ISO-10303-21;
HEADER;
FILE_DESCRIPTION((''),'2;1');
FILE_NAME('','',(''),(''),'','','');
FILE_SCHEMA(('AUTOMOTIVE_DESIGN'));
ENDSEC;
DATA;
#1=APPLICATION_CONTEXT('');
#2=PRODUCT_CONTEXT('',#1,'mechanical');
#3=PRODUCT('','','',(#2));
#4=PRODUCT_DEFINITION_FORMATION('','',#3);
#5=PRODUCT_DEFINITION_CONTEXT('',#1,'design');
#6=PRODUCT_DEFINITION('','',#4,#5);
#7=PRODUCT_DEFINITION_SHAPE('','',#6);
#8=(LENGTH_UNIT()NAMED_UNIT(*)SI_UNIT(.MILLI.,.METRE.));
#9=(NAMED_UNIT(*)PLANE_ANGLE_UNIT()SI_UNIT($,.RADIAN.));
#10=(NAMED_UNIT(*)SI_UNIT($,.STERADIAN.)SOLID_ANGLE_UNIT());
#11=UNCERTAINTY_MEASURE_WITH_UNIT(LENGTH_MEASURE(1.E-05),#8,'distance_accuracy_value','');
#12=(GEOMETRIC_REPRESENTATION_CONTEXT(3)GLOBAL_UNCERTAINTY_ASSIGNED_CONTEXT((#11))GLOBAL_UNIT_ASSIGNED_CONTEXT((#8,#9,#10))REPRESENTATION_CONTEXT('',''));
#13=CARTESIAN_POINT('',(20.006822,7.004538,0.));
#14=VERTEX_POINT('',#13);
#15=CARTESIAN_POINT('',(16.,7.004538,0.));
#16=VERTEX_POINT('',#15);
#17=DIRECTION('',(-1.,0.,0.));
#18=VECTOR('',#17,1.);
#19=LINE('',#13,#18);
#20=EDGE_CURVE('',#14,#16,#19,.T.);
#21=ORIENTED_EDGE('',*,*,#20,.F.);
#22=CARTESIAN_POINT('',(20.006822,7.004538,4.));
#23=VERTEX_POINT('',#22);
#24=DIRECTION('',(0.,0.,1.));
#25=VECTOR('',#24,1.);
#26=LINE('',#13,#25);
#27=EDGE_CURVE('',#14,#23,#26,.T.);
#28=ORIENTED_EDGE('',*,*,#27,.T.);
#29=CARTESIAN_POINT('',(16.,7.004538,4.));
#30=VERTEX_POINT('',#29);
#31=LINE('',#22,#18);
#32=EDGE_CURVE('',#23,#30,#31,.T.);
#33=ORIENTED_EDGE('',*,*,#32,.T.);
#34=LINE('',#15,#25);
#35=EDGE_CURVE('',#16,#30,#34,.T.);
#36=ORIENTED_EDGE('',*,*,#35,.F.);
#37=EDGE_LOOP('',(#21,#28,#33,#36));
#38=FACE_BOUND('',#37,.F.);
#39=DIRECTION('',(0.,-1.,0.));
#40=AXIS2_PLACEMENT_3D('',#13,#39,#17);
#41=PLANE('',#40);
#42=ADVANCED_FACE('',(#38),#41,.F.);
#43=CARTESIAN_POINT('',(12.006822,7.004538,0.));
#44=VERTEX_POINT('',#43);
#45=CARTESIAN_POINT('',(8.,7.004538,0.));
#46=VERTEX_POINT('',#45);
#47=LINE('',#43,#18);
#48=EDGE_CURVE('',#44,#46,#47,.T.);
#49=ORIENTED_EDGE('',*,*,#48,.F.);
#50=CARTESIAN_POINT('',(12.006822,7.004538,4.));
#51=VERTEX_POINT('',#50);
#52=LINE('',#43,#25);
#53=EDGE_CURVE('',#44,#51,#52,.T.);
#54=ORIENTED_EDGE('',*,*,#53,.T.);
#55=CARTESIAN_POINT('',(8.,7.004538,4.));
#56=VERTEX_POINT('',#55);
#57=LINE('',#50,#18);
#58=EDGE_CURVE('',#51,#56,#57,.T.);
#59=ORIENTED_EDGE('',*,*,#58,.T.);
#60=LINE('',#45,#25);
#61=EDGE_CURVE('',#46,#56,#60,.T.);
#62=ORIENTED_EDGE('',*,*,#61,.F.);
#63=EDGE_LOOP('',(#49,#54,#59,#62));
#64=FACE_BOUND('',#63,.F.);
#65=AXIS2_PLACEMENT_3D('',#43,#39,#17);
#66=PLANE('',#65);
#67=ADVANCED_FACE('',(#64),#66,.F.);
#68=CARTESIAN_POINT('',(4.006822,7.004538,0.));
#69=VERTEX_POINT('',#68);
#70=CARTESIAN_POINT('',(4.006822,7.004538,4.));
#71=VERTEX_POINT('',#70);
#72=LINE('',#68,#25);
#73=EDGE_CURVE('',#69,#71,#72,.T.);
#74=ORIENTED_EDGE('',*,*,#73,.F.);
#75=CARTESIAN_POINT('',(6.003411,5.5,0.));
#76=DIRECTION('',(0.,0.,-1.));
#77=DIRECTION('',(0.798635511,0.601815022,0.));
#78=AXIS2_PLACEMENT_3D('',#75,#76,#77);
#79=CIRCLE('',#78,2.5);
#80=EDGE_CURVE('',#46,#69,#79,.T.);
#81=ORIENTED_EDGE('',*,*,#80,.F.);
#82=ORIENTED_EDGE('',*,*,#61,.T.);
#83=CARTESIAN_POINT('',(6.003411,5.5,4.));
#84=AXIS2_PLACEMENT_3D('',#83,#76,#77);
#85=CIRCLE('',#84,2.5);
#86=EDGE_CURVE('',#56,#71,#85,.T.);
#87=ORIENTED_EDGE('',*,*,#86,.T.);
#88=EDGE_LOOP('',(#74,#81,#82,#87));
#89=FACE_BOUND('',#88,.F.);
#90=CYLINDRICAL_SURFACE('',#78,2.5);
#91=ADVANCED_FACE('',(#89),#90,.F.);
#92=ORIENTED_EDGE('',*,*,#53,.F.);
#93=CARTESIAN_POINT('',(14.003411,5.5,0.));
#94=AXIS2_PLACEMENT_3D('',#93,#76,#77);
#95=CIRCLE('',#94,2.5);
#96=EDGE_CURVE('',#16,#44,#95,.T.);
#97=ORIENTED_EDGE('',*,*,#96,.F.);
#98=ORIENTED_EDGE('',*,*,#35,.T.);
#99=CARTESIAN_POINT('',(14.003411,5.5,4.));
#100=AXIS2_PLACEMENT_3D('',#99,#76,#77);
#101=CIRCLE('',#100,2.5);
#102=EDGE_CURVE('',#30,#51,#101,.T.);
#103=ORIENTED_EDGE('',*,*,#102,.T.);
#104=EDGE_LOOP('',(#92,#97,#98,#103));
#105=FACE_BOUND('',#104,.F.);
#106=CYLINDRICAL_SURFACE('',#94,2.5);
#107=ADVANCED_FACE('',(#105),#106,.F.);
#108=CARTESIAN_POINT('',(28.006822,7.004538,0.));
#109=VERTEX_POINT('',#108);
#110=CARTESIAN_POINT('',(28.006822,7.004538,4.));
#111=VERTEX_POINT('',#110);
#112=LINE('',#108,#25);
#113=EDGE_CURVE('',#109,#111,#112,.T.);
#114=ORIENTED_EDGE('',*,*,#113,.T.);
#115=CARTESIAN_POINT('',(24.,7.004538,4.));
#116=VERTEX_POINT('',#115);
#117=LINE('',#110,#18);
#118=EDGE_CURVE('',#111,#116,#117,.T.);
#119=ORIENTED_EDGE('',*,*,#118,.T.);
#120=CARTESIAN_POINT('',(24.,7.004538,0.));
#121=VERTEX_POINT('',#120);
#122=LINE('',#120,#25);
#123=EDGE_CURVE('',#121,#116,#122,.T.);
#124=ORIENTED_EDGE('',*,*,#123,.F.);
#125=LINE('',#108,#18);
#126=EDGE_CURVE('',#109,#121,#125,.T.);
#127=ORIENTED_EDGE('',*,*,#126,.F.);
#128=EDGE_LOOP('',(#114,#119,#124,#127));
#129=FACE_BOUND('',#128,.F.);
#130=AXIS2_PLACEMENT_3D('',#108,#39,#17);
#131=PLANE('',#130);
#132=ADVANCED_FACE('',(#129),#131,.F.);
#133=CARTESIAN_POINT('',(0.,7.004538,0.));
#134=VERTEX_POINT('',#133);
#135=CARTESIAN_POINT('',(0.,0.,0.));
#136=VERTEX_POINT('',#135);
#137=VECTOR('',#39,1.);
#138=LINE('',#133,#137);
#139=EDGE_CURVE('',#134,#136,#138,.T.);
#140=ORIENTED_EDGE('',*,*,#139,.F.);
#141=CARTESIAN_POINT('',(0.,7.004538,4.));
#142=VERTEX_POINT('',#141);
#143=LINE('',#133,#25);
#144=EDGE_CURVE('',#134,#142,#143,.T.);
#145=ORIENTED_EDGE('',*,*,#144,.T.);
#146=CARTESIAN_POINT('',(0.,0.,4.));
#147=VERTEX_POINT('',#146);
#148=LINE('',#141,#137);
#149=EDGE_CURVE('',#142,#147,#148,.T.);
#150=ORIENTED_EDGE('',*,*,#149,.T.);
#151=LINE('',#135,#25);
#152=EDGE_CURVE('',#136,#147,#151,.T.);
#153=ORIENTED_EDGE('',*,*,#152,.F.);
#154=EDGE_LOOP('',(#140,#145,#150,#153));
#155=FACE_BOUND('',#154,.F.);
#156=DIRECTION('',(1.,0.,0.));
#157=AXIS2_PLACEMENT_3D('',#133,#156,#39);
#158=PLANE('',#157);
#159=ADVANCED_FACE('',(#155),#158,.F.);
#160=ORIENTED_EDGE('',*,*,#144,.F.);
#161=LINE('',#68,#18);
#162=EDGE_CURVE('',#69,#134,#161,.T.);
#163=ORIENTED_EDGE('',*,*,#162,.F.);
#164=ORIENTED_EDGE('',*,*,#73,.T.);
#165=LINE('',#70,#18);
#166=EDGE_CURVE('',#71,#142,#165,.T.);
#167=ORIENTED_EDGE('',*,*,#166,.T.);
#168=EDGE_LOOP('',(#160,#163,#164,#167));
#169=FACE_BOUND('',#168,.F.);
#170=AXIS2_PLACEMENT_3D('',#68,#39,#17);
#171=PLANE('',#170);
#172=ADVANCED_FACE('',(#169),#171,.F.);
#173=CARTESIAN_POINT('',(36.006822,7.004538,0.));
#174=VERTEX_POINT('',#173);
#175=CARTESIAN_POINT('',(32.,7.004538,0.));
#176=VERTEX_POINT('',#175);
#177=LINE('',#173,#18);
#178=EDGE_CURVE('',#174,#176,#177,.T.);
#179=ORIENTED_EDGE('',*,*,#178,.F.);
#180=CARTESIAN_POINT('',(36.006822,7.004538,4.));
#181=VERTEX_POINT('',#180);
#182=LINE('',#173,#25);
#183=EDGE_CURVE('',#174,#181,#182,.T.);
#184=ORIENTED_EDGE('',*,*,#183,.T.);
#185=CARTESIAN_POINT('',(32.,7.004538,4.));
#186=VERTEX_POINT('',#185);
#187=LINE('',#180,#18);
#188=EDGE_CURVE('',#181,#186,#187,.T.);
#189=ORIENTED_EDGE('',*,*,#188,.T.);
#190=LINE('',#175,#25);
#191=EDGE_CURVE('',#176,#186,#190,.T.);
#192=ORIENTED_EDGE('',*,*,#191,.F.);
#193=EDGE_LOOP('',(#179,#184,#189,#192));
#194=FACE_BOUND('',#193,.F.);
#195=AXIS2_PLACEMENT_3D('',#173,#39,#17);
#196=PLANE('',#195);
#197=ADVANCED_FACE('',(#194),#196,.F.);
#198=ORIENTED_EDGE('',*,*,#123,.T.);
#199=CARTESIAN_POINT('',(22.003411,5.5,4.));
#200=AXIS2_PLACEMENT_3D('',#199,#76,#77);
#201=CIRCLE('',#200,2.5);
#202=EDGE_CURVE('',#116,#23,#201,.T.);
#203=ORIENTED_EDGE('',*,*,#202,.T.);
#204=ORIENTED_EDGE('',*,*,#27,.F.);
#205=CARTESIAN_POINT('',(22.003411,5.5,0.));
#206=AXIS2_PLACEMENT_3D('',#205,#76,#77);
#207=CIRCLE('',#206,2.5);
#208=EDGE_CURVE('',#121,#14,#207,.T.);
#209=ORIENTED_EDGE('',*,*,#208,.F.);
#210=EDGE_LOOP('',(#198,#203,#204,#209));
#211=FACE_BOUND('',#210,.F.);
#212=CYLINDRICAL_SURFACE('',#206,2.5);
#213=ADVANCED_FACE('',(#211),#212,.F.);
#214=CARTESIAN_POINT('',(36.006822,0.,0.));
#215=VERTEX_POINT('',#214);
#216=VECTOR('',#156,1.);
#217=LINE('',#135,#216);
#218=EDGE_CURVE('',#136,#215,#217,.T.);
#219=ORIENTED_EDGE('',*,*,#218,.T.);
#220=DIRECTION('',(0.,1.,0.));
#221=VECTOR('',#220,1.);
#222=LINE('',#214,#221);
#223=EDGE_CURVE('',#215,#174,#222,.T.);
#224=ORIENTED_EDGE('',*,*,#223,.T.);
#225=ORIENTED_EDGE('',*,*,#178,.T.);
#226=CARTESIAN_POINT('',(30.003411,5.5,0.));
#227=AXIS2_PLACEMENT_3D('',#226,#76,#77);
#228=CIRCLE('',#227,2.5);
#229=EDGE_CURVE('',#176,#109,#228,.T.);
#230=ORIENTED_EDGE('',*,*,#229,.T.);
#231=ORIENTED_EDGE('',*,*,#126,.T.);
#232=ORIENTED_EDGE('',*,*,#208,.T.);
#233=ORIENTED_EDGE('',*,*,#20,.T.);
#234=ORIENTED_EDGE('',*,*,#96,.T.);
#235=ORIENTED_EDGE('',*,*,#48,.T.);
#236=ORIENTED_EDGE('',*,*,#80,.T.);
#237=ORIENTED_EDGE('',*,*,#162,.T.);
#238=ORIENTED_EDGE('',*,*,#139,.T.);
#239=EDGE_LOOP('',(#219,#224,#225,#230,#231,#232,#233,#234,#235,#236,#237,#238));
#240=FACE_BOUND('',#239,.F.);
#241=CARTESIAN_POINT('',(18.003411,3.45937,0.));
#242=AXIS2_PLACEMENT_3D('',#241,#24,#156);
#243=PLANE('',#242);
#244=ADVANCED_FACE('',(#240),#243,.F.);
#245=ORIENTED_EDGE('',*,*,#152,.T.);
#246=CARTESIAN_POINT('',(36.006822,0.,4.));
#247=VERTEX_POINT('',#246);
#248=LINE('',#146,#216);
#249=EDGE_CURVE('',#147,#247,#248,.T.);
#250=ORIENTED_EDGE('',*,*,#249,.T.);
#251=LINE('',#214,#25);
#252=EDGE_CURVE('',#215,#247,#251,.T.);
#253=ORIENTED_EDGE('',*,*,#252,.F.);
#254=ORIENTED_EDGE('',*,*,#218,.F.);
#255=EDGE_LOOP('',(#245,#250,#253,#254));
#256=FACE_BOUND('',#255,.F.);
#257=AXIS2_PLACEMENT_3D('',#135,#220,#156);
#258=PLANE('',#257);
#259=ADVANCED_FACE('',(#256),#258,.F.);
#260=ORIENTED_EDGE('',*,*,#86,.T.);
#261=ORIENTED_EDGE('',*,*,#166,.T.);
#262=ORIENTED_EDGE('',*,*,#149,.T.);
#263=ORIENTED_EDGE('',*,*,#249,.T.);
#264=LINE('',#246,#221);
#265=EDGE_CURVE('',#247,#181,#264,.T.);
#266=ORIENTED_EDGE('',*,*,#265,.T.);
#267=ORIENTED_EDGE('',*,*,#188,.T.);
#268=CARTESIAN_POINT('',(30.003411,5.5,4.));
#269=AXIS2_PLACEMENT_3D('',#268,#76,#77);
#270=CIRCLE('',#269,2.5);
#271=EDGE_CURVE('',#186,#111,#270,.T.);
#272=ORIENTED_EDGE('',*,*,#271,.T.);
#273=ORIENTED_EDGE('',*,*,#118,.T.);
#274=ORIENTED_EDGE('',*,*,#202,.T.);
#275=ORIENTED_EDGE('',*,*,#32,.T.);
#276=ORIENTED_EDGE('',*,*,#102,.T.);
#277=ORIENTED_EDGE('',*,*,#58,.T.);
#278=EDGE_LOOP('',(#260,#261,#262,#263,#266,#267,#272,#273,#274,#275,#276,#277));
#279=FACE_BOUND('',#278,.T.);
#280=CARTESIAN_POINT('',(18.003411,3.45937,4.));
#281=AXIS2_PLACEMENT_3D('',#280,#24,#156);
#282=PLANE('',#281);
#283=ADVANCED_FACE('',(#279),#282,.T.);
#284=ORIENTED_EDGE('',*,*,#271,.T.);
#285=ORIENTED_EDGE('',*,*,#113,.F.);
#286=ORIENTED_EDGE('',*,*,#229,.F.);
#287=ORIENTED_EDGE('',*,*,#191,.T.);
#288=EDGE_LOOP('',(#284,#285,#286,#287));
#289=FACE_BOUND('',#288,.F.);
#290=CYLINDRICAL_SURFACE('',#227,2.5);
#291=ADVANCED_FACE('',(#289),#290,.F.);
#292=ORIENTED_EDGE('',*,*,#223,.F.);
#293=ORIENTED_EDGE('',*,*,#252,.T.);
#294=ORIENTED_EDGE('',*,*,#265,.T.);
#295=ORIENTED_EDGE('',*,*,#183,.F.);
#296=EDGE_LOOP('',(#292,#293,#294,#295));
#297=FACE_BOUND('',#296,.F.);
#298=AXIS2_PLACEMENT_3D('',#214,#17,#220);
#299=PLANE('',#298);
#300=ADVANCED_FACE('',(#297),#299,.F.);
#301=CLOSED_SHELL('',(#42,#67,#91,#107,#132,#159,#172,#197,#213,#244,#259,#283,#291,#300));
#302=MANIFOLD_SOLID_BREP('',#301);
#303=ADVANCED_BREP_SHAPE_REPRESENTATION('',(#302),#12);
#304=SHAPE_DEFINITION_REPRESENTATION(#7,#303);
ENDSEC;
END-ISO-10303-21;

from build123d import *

# Parameters (mm, degrees)
F1_DEPTH = 4


with BuildPart() as f1:
    # F0 (on Top) → F1 (new body)
    with BuildSketch(Plane.XY):
        with BuildLine():
            ThreePointArc((8, 7.004538), (6.003411, 3), (4.006822, 7.004538))
            Line((4.006822, 7.004538), (0, 7.004538))
            Line((0, 7.004538), (0, 0))
            Line((0, 0), (36.006822, 0))
            Line((36.006822, 0), (36.006822, 7.004538))
            Line((36.006822, 7.004538), (32, 7.004538))
            ThreePointArc((32, 7.004538), (30.003411, 3), (28.006822, 7.004538))
            Line((28.006822, 7.004538), (24, 7.004538))
            ThreePointArc((24, 7.004538), (22.003411, 3), (20.006822, 7.004538))
            Line((20.006822, 7.004538), (16, 7.004538))
            ThreePointArc((16, 7.004538), (14.003411, 3), (12.006822, 7.004538))
            Line((12.006822, 7.004538), (8, 7.004538))
        make_face()
    extrude(amount=F1_DEPTH)


solid = f1.part
